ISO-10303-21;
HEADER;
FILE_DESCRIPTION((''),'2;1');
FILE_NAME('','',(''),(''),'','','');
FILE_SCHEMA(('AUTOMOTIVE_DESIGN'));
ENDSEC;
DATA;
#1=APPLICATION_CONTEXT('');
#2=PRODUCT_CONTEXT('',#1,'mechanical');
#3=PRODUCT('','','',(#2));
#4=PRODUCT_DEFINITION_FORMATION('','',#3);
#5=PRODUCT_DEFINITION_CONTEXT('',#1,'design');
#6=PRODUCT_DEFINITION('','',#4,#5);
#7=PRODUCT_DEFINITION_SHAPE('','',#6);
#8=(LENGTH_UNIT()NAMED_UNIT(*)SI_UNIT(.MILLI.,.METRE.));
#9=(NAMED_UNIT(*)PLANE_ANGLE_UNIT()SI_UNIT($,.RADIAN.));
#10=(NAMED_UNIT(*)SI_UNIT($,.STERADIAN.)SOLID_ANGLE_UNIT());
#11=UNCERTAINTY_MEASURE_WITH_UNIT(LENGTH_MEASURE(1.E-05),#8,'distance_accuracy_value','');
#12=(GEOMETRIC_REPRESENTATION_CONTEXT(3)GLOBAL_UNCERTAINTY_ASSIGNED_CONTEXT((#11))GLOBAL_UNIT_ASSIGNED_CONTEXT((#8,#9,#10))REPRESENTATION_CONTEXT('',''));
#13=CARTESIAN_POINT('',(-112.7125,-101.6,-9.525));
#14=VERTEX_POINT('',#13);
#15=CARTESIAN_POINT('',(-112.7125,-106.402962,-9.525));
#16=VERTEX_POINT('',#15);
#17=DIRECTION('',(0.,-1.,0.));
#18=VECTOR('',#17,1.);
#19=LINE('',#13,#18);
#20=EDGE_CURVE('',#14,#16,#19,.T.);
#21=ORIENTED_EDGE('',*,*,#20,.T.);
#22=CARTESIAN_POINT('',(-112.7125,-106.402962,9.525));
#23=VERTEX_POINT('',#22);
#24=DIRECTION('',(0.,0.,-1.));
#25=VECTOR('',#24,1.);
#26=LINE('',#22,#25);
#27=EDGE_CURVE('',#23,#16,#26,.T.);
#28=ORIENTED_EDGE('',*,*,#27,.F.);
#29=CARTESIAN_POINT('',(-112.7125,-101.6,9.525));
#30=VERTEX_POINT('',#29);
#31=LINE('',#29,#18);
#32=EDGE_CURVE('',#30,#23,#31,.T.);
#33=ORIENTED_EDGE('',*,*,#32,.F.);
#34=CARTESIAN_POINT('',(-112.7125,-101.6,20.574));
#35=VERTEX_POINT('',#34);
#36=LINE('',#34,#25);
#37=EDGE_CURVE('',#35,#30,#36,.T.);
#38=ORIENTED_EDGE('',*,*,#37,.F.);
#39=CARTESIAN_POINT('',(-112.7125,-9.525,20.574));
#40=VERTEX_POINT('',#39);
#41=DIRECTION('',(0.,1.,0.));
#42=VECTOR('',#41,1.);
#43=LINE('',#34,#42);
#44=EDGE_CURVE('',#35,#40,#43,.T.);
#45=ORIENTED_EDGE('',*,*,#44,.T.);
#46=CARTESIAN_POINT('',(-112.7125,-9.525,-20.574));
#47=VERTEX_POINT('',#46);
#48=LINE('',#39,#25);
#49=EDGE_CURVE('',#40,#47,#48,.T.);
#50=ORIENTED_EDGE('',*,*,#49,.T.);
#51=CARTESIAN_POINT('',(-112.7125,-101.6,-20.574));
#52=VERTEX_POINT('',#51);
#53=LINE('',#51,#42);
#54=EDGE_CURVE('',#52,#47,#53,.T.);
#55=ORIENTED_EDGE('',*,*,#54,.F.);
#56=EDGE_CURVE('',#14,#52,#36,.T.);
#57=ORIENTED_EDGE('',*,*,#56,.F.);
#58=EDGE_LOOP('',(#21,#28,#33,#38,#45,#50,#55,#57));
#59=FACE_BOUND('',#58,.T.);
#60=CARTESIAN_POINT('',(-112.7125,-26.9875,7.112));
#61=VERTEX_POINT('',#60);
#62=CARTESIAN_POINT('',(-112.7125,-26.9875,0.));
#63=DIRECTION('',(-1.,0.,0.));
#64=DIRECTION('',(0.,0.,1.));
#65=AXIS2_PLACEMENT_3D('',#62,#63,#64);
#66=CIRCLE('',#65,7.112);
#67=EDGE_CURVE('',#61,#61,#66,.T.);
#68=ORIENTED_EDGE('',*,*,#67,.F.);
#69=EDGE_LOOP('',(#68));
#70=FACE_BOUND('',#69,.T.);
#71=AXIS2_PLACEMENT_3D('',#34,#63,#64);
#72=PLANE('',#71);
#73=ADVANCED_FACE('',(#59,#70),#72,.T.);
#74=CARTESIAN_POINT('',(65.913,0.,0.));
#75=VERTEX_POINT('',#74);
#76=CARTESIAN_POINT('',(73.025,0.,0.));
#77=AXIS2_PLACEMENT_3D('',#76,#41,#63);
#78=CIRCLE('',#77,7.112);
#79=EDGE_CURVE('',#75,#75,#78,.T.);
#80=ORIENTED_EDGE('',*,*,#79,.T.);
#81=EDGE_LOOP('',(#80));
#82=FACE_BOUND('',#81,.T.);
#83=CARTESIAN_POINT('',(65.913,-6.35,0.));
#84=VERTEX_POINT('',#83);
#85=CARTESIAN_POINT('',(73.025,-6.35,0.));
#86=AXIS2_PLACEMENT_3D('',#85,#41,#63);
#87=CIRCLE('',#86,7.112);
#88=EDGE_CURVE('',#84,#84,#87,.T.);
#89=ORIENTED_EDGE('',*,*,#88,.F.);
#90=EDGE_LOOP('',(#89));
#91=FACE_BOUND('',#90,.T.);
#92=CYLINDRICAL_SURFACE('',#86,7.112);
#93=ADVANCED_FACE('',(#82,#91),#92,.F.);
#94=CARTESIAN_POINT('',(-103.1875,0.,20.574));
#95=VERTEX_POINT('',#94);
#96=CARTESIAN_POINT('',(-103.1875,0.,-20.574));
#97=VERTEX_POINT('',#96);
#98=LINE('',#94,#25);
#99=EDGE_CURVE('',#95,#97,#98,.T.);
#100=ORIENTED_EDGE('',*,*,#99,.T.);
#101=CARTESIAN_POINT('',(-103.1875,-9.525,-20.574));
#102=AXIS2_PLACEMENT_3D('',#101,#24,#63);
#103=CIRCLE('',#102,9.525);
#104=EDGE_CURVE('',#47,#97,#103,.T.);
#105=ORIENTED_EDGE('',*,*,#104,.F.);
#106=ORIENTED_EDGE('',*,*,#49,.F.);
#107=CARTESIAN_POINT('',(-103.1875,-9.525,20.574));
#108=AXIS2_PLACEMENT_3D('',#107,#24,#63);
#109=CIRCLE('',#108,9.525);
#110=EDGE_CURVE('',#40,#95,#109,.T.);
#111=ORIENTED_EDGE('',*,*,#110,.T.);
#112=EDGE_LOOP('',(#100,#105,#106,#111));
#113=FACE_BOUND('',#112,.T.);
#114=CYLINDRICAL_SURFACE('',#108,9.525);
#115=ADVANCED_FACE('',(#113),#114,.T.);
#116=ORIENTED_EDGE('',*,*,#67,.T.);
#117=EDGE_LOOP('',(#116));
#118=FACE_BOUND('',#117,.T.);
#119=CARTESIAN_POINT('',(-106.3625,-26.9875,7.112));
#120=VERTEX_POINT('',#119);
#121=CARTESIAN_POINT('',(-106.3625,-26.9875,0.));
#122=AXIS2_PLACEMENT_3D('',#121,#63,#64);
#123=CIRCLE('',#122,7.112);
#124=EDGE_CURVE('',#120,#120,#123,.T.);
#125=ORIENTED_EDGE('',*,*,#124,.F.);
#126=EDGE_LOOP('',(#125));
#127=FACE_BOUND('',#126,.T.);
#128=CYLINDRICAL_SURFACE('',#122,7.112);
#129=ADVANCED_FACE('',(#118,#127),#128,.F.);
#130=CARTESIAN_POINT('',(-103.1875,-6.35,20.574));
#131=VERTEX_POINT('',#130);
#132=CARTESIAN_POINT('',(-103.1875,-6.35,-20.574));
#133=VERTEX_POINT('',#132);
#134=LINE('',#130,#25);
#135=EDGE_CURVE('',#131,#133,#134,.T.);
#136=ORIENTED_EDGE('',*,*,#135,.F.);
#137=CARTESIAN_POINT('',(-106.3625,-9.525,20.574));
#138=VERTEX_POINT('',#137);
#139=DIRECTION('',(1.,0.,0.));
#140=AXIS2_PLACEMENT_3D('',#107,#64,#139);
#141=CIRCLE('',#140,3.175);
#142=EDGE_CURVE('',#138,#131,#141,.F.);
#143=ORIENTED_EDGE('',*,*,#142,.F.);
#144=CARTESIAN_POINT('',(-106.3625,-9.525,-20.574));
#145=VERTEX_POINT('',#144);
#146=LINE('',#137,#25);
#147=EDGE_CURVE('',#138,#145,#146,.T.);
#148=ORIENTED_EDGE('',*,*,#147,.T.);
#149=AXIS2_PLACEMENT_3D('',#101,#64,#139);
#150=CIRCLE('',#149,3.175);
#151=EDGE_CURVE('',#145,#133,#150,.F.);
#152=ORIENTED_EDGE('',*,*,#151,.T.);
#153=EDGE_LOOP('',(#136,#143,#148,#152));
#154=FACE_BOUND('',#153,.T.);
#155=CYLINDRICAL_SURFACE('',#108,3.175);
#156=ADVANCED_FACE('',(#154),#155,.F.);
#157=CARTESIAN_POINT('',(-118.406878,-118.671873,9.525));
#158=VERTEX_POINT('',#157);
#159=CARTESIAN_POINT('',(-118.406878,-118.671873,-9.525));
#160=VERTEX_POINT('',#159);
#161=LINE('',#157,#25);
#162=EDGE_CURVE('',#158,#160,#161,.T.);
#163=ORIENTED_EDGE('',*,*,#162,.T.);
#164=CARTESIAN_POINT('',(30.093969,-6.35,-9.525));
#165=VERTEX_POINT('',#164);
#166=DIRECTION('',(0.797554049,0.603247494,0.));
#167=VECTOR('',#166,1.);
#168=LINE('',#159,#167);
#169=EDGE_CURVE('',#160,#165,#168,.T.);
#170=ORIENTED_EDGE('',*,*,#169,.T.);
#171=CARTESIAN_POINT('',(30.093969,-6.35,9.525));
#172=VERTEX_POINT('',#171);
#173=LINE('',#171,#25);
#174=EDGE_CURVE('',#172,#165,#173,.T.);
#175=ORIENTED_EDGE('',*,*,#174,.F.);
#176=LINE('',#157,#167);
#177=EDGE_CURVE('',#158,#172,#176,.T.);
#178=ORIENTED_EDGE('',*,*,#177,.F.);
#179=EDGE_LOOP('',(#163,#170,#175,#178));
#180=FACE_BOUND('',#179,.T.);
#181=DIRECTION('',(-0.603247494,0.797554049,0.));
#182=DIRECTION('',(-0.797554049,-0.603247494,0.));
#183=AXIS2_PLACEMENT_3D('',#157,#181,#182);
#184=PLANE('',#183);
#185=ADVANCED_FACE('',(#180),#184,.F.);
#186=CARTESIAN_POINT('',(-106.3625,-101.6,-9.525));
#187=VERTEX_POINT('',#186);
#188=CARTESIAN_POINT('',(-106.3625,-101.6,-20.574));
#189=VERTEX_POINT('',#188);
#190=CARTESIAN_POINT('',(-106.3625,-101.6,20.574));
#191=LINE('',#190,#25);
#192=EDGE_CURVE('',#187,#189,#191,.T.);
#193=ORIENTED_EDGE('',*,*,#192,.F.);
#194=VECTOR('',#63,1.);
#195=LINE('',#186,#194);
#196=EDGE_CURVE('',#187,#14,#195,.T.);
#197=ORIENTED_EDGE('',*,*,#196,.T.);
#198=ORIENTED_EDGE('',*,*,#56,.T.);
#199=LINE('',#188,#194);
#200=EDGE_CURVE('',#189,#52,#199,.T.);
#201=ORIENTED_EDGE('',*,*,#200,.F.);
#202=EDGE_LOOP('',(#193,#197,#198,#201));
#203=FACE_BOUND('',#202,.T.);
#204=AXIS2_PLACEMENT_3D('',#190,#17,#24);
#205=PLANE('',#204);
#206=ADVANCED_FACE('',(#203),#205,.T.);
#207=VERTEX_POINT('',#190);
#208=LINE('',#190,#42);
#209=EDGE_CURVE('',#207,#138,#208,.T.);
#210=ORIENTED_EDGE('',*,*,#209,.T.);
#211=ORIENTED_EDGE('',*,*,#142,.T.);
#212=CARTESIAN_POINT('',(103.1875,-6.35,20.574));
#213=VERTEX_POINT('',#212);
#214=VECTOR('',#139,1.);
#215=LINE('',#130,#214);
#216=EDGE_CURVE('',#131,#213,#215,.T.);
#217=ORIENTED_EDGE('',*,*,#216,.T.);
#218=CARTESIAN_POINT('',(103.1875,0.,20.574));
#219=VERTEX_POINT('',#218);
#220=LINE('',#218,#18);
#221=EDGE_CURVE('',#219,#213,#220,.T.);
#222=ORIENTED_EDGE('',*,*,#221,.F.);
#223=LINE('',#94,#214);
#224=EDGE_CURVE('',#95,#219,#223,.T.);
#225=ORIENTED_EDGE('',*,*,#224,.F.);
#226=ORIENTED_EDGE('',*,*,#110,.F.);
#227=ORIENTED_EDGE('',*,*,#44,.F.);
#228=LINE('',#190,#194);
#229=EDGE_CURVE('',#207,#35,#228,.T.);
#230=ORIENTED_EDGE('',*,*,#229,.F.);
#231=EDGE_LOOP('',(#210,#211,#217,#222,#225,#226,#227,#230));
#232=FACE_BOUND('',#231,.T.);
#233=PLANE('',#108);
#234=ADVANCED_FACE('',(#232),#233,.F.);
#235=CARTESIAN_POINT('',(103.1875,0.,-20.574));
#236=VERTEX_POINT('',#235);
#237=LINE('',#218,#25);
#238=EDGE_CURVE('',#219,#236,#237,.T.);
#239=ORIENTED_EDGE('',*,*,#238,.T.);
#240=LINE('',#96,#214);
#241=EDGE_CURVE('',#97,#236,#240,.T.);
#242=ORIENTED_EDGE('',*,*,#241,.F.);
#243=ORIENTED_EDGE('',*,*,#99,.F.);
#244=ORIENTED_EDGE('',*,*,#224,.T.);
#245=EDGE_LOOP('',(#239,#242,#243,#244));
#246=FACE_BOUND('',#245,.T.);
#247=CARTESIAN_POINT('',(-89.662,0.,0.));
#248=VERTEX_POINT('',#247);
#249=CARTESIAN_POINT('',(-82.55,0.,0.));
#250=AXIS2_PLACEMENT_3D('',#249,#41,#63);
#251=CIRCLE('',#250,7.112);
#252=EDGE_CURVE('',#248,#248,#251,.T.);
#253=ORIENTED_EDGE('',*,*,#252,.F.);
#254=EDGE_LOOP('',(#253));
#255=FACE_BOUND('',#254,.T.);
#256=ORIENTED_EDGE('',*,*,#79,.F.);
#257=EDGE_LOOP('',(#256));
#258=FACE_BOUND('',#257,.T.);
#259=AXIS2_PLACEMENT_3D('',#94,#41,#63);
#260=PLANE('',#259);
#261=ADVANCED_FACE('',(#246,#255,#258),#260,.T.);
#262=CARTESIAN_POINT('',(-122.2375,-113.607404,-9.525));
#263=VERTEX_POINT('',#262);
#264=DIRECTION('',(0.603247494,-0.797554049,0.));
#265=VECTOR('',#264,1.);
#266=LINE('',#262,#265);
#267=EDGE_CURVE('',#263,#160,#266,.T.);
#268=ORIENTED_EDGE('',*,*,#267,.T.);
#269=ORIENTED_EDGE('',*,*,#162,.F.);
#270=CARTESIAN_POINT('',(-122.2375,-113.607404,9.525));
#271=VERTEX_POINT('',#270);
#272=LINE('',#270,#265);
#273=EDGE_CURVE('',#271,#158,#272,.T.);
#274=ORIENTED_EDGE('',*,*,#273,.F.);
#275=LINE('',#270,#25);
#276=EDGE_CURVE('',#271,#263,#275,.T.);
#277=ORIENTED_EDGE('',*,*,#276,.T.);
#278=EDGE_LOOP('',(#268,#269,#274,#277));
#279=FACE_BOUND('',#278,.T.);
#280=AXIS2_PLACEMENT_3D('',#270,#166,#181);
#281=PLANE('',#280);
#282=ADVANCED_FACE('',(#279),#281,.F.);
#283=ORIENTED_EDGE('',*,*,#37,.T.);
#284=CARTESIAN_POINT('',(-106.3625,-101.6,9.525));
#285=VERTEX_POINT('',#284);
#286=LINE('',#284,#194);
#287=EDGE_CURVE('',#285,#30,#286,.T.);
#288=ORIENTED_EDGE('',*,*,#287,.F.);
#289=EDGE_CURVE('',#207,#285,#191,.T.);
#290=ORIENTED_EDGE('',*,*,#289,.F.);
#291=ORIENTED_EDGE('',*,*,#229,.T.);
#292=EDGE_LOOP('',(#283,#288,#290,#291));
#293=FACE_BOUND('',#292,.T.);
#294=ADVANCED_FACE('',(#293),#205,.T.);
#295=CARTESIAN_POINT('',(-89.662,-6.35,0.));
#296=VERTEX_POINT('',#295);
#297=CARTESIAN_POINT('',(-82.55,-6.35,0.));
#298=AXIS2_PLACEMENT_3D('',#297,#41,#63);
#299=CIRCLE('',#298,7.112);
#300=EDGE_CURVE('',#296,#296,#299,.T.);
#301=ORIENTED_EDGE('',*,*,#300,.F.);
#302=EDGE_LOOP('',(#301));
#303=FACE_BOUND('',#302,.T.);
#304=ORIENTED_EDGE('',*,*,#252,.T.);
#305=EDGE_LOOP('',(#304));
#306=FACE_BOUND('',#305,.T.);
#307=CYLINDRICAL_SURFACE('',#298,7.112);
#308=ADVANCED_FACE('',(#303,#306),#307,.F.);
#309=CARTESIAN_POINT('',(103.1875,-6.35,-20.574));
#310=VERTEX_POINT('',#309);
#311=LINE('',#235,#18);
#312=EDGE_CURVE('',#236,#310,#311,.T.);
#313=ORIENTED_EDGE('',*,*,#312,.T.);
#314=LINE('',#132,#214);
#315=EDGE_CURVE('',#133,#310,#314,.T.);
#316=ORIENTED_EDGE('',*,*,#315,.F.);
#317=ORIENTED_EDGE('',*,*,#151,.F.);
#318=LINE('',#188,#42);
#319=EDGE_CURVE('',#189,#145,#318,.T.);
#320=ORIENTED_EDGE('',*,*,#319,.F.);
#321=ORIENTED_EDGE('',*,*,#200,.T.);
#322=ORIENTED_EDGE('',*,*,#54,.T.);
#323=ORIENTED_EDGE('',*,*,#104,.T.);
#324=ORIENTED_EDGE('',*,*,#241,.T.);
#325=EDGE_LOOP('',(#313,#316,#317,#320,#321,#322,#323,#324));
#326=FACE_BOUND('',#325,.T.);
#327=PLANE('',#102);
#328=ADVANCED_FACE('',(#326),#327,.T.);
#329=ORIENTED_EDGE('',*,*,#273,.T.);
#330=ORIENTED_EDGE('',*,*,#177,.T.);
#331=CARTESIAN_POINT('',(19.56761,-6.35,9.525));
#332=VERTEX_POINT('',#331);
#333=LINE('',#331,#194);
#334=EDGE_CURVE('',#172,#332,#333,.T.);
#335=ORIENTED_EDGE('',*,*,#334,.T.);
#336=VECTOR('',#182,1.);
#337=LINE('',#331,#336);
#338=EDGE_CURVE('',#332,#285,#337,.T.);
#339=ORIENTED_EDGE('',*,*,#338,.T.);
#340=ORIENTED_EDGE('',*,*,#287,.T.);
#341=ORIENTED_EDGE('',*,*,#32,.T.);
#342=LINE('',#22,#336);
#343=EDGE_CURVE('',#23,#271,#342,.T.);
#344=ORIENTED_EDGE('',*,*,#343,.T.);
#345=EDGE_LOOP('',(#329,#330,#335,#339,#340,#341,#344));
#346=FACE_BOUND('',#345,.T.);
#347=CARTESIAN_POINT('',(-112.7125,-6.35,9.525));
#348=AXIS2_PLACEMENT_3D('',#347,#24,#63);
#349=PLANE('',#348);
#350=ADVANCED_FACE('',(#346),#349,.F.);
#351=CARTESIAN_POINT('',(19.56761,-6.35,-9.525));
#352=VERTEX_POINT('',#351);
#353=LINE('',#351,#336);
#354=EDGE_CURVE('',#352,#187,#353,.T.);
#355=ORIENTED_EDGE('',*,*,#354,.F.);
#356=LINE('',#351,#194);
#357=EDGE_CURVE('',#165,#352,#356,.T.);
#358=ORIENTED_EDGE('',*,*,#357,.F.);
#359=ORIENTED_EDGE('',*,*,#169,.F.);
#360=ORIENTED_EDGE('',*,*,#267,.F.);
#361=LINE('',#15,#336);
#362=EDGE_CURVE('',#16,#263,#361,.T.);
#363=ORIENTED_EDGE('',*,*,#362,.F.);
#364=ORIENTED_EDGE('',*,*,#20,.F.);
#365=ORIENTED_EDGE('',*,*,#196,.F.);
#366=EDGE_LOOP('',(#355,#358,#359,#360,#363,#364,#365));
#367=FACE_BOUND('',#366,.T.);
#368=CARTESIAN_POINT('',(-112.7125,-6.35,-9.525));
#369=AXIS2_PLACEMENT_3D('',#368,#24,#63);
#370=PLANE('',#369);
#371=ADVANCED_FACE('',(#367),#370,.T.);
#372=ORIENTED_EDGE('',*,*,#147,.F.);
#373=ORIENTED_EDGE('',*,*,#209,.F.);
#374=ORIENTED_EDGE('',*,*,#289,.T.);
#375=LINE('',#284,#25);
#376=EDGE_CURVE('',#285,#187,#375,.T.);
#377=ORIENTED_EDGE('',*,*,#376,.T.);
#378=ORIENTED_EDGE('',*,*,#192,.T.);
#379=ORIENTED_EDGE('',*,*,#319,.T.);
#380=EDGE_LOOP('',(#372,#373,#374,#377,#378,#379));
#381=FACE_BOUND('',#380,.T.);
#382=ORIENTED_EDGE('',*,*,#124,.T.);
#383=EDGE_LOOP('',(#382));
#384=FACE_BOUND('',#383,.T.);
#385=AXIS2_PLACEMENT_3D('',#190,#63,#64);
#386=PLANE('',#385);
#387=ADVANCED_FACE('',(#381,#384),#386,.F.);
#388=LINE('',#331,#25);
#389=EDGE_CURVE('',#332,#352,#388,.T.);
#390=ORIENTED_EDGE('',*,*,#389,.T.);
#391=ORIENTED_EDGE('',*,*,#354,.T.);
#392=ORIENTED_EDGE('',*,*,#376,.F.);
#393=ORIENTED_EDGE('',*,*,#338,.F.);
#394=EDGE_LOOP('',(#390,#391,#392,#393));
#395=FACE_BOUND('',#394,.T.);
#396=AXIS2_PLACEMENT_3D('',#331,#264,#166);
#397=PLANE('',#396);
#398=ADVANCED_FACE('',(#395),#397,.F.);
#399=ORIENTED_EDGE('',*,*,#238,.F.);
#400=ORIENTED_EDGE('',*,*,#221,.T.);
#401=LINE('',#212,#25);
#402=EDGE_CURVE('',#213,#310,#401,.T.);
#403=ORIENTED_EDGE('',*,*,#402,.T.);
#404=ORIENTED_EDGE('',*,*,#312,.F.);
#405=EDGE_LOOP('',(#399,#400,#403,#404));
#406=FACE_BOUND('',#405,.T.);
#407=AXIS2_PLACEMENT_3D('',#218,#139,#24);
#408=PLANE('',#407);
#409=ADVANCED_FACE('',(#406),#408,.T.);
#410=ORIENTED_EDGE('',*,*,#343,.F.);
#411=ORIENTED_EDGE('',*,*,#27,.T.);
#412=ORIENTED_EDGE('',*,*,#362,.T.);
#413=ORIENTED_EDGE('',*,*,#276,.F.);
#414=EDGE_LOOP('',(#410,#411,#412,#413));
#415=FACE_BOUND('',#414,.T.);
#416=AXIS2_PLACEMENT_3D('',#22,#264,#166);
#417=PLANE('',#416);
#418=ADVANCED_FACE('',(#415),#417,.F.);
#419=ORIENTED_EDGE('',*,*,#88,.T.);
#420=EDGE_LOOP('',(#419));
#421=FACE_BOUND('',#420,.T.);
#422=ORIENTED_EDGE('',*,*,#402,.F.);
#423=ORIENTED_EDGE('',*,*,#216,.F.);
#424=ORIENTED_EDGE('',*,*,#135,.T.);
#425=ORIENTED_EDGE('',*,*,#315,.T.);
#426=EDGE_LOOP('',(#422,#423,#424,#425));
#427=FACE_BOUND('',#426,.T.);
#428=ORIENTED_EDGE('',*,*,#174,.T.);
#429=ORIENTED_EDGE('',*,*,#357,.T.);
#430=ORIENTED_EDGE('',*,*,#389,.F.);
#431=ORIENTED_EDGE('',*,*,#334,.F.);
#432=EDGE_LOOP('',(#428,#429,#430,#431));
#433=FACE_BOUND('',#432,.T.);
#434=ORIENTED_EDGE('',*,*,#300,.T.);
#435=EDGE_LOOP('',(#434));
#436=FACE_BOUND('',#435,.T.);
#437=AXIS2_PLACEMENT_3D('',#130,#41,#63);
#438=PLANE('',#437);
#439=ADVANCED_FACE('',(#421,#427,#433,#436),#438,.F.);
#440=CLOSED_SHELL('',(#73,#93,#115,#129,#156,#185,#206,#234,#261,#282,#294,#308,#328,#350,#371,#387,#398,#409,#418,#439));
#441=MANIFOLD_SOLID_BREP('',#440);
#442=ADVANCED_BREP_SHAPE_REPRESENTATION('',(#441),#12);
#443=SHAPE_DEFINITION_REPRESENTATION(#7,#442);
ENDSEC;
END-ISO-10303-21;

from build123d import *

# Parameters (mm, degrees)
EXTRUDE_THIN1_DEPTH = 20.574
BOSS_EXTRUDE1_DEPTH = 9.525
SKETCH3_R           = 7.112
CUT_EXTRUDE1_DEPTH  = 6.35
SKETCH4_R           = 7.112
CUT_EXTRUDE2_DEPTH  = 6.35


with BuildPart() as part:
    # Sketch1 → Extrude-Thin1 (new, symmetric)
    with BuildSketch(Plane.XY):
        with BuildLine():
            Line((-112.7125, -101.6), (-112.7125, -9.525))
            ThreePointArc((-112.7125, -9.525), (-109.922692091, -2.789807909), (-103.1875, 0))
            Line((-103.1875, 0), (103.1875, 0))
            Line((103.1875, 0), (103.1875, -6.35))
            Line((103.1875, -6.35), (-103.1875, -6.35))
            ThreePointArc((-103.1875, -6.35), (-105.43256403, -7.27993597), (-106.3625, -9.525))
            Line((-106.3625, -9.525), (-106.3625, -101.6))
            Line((-106.3625, -101.6), (-112.7125, -101.6))
        make_face()
    extrude(amount=EXTRUDE_THIN1_DEPTH, both=True)

    # Sketch2 → Boss-Extrude1 (add, symmetric)
    with BuildSketch(Plane.XY):
        Polygon((19.567609966, -6.35), (-106.3625, -101.6), (-112.7125, -101.6), (-112.7125, -106.402961739), (-122.2375, -113.607404348), (-118.406878416, -118.671872561), (30.093969492, -6.35), align=None)
    extrude(amount=BOSS_EXTRUDE1_DEPTH, both=True)

    # Sketch3 → Cut-Extrude1 (cut)
    with BuildSketch(Plane(origin=(0, 0, 0), x_dir=(1, 0, 0), z_dir=(0, 1, 0))):
        with Locations(Location((-82.55, 0, 0), (0, 0, 180))):
            Circle(SKETCH3_R)
        with Locations(Location((73.025, 0, 0), (0, 0, 180))):
            Circle(SKETCH3_R)
    extrude(amount=-CUT_EXTRUDE1_DEPTH, mode=Mode.SUBTRACT)

    # Sketch4 → Cut-Extrude2 (cut)
    with BuildSketch(Plane.ZY.offset(112.7125)):
        with Locations((0, -26.9875)):
            Circle(SKETCH4_R)
    extrude(amount=-CUT_EXTRUDE2_DEPTH, mode=Mode.SUBTRACT)


solid = part.part
